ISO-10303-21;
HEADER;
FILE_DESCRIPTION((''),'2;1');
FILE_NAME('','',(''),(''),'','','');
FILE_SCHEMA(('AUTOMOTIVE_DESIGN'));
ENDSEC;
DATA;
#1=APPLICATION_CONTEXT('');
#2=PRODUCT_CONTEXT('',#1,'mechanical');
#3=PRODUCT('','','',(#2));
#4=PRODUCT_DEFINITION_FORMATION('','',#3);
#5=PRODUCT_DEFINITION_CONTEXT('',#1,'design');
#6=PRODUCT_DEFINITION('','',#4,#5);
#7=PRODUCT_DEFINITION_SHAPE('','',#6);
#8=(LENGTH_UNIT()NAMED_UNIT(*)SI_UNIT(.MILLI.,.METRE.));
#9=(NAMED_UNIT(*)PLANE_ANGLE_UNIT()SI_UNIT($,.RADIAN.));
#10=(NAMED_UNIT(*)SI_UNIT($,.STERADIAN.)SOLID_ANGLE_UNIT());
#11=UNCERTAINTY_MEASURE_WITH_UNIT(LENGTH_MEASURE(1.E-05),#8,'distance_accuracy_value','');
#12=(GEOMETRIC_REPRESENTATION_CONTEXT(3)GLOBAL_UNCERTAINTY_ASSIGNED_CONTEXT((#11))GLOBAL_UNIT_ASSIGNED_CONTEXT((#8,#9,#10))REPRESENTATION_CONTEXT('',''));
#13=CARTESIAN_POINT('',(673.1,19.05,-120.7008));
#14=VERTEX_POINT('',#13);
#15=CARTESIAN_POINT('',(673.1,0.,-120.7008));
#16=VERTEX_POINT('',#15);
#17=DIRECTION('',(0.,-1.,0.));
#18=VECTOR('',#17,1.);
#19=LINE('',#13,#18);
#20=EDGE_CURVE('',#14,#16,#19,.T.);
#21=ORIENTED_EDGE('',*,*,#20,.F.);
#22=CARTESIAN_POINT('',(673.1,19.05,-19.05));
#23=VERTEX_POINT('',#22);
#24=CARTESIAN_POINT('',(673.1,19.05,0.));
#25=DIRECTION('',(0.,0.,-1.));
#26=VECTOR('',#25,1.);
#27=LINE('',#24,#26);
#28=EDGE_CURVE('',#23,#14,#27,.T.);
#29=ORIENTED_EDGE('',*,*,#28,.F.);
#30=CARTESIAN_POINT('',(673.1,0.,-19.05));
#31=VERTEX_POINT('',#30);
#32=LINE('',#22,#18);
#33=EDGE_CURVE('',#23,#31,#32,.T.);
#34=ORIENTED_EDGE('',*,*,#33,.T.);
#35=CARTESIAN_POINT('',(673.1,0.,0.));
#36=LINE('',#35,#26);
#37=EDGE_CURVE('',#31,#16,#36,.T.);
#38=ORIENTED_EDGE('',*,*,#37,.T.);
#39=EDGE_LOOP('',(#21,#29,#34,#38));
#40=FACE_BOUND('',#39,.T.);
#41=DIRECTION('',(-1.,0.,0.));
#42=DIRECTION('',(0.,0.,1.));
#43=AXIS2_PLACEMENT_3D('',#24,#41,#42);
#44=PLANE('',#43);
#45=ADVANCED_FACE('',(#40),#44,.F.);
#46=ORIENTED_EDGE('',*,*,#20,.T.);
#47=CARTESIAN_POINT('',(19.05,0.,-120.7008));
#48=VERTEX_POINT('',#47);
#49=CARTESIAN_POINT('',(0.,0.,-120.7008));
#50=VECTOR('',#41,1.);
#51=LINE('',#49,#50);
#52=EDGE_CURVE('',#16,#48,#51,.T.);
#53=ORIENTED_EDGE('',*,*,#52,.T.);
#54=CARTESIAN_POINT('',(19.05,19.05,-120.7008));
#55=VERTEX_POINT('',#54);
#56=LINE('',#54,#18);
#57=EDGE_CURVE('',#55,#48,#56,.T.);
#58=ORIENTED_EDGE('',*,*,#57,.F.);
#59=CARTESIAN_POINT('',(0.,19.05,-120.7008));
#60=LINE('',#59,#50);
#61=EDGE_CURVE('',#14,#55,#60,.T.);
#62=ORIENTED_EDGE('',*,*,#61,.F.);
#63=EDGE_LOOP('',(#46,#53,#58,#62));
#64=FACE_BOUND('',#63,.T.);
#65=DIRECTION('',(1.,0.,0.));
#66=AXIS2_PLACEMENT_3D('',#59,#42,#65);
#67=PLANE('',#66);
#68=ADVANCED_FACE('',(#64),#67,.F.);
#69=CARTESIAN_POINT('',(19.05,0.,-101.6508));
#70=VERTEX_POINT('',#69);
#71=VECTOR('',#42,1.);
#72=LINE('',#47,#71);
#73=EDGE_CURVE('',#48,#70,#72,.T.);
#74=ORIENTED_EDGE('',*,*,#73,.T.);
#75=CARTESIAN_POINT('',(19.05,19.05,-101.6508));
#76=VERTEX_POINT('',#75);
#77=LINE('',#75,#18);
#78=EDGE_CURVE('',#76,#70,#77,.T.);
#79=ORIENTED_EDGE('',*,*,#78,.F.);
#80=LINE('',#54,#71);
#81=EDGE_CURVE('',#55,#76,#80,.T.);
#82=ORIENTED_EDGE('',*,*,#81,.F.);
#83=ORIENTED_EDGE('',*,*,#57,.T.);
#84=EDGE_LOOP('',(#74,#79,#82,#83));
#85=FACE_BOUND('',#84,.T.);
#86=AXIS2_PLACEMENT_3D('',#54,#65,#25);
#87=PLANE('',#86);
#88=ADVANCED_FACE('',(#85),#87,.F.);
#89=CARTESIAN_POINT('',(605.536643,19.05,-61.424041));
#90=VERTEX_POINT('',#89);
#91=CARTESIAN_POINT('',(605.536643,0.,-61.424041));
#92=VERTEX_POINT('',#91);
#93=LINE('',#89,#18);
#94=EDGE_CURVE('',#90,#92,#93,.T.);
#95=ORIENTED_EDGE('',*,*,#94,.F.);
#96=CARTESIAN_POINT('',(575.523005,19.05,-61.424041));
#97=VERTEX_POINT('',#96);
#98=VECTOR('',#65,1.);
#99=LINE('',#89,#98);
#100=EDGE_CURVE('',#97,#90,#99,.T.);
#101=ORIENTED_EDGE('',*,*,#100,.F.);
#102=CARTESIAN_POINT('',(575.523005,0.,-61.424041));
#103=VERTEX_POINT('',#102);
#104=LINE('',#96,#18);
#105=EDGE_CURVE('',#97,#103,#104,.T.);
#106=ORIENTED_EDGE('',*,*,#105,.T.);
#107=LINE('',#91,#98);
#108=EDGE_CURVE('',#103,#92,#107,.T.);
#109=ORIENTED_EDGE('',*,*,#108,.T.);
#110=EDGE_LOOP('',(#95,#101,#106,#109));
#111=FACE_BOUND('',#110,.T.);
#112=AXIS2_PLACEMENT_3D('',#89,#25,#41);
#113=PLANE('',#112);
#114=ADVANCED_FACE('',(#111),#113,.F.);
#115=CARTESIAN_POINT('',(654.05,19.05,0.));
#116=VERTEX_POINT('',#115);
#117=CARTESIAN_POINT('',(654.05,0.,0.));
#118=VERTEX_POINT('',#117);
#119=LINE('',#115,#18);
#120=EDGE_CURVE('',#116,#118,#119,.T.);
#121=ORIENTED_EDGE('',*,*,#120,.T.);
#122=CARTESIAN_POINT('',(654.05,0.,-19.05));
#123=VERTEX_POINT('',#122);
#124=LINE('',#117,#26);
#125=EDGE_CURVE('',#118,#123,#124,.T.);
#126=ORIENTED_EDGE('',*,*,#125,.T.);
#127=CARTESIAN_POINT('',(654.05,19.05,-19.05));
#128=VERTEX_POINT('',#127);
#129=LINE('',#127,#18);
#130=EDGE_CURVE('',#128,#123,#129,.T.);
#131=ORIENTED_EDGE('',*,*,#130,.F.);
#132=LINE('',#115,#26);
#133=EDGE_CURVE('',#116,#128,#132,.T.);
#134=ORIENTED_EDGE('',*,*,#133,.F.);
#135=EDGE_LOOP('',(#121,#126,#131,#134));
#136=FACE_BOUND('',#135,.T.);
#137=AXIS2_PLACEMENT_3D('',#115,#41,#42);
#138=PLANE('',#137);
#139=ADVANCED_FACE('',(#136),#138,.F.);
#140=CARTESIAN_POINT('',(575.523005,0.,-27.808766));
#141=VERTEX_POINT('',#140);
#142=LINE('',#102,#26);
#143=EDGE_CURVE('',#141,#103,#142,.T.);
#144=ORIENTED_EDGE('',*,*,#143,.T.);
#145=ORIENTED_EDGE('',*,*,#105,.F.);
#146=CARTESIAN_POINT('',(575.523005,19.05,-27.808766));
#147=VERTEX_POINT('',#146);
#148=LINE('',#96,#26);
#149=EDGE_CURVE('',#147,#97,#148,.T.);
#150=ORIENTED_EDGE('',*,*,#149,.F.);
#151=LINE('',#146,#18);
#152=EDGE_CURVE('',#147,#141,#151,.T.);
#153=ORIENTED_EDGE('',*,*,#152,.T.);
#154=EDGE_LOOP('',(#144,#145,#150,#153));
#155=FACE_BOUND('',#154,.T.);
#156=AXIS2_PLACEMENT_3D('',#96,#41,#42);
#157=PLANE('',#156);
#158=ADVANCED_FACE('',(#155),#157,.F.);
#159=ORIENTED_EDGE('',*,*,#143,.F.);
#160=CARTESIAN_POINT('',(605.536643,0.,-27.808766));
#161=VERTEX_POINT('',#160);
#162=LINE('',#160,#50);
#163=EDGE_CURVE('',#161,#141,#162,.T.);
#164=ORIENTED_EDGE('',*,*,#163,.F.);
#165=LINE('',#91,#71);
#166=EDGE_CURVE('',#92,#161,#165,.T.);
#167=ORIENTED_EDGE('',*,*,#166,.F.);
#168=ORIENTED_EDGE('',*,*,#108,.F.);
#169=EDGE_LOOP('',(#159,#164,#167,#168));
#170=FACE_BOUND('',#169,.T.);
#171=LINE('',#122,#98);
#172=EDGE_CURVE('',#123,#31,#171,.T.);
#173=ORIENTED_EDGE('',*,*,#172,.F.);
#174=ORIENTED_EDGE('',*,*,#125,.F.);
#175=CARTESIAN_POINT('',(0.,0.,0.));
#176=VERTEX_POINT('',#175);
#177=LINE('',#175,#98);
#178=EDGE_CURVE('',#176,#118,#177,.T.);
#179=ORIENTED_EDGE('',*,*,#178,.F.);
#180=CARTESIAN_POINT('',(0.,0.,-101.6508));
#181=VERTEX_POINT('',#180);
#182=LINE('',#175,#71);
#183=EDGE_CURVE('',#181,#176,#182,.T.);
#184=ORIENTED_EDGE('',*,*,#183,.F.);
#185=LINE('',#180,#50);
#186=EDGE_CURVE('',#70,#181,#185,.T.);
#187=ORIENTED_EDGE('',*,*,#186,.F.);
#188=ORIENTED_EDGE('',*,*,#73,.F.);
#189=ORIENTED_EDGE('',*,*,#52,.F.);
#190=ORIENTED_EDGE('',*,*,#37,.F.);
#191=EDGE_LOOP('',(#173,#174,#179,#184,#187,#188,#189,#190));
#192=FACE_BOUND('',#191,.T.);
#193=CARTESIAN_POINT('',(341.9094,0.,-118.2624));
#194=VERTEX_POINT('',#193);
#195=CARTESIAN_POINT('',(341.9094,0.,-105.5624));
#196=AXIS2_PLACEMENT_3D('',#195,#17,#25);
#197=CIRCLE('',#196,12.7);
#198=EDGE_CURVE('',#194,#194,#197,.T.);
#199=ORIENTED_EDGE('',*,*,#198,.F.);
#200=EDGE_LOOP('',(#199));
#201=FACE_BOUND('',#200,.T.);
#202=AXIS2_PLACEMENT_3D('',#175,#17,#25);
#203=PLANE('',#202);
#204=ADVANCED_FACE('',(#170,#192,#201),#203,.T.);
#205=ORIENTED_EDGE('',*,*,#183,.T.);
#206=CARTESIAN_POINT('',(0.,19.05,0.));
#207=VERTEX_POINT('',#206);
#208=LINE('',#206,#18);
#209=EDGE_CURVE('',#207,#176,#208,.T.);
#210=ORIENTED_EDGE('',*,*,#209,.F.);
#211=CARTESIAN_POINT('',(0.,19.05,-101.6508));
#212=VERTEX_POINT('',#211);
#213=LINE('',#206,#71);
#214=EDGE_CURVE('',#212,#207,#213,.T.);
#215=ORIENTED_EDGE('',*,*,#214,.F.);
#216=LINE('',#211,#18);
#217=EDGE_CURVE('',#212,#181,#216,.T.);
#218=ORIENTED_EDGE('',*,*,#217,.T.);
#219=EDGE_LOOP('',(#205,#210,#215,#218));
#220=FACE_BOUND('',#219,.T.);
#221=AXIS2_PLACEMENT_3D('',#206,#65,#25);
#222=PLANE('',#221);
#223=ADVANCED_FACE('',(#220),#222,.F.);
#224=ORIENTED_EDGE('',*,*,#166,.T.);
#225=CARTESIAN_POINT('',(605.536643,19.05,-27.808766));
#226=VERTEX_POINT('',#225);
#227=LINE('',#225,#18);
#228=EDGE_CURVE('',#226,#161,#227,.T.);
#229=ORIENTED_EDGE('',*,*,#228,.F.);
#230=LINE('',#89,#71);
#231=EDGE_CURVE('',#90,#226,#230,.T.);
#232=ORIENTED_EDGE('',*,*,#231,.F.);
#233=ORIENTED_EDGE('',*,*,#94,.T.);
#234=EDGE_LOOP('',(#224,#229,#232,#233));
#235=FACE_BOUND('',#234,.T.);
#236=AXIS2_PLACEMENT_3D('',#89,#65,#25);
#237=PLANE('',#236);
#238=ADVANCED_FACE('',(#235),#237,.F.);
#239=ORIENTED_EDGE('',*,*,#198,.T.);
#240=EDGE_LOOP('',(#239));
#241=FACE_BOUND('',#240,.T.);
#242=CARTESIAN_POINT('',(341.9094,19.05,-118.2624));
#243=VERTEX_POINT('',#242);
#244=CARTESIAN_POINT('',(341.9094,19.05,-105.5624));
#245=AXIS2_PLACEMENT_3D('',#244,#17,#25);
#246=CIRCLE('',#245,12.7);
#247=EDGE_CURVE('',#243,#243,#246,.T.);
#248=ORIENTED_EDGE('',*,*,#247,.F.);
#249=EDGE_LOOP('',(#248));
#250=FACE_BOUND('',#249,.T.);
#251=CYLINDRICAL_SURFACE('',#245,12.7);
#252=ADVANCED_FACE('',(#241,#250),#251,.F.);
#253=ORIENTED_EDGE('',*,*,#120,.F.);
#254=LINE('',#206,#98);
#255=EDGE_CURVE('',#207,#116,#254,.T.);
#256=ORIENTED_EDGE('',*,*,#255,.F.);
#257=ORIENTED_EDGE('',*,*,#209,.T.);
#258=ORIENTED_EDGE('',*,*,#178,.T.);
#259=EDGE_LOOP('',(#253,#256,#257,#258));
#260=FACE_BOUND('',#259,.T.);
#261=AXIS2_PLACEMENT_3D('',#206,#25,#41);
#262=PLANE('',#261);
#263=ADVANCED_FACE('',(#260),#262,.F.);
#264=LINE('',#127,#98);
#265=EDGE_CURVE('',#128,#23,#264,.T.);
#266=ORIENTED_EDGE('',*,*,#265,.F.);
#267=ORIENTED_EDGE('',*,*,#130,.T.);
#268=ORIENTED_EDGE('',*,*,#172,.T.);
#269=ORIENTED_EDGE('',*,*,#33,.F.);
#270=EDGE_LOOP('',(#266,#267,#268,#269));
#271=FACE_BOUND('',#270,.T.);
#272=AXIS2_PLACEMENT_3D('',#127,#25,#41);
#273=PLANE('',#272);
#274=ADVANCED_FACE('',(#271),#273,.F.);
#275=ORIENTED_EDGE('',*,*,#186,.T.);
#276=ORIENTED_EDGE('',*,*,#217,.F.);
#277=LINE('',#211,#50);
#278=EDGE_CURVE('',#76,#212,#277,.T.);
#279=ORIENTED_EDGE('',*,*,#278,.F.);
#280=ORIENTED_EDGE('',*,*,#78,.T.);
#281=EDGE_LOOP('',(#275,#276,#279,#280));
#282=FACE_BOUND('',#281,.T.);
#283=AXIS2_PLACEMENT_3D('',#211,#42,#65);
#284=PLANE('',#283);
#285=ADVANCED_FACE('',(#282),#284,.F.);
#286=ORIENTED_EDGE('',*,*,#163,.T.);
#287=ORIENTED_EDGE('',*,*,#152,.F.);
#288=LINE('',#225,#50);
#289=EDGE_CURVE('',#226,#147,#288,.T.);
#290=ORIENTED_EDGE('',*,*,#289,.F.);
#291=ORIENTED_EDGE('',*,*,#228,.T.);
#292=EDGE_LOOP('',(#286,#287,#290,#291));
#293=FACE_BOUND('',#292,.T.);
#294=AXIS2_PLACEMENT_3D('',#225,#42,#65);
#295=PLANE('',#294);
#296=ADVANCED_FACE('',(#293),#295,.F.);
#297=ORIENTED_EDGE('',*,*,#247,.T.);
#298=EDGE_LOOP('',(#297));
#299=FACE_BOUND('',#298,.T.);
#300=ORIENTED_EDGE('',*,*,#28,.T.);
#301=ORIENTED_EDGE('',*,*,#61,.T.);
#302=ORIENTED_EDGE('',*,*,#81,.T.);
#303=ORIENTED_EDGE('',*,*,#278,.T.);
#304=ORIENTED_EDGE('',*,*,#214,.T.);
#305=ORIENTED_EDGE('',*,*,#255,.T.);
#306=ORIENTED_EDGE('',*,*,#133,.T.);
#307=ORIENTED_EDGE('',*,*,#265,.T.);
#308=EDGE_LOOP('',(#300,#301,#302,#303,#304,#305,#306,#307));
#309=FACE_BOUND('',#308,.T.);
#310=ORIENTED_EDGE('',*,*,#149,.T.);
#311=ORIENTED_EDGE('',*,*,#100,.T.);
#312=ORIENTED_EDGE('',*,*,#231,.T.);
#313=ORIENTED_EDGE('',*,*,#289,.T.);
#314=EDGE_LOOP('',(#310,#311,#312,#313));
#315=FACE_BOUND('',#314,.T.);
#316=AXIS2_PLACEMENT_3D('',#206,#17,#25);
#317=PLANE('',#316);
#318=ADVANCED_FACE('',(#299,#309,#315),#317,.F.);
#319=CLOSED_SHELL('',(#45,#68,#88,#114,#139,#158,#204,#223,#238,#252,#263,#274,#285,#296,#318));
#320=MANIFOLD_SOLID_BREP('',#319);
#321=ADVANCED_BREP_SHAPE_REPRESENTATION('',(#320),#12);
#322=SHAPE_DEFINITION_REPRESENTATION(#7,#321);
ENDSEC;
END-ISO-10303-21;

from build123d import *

# Parameters (mm, degrees)
SKETCH1_W           = 673.1
SKETCH1_H           = 120.7008
BOSS_EXTRUDE1_DEPTH = 19.05
SKETCH3_W           = 30.013638179
SKETCH3_H           = 33.61527476
CUT_EXTRUDE5_DEPTH  = 20.05
SKETCH2_R           = 12.7
CUT_EXTRUDE4_DEPTH  = 20.05
SKETCH4_W           = 19.05
SKETCH4_H           = 19.05
CUT_EXTRUDE6_DEPTH  = 20.05


with BuildPart() as part:
    # Sketch1 → Boss-Extrude1 (new body)
    with BuildSketch(Plane(origin=(0, 0, 0), x_dir=(1, 0, 0), z_dir=(0, 1, 0))):
        with Locations((336.55, 60.3504)):
            Rectangle(SKETCH1_W, SKETCH1_H)
    extrude(amount=BOSS_EXTRUDE1_DEPTH)

    # Sketch3 → Cut-Extrude5 (cut, through all)
    with BuildSketch(Plane.XZ):
        with Locations((590.529823595, -44.616403279)):
            Rectangle(SKETCH3_W, SKETCH3_H)
    extrude(amount=-CUT_EXTRUDE5_DEPTH, mode=Mode.SUBTRACT)

    # Sketch2 → Cut-Extrude4 (cut, through all)
    with BuildSketch(Plane.XZ):
        with Locations((341.9094, -105.5624)):
            Circle(SKETCH2_R)
    extrude(amount=-CUT_EXTRUDE4_DEPTH, mode=Mode.SUBTRACT)

    # Sketch4 → Cut-Extrude6 (cut, through all)
    with BuildSketch(Plane.XZ):
        with Locations((663.575, -9.525)):
            Rectangle(SKETCH4_W, SKETCH4_H)
        with Locations((9.525, -111.1758)):
            Rectangle(SKETCH4_W, SKETCH4_H)
    extrude(amount=-CUT_EXTRUDE6_DEPTH, mode=Mode.SUBTRACT)


solid = part.part
